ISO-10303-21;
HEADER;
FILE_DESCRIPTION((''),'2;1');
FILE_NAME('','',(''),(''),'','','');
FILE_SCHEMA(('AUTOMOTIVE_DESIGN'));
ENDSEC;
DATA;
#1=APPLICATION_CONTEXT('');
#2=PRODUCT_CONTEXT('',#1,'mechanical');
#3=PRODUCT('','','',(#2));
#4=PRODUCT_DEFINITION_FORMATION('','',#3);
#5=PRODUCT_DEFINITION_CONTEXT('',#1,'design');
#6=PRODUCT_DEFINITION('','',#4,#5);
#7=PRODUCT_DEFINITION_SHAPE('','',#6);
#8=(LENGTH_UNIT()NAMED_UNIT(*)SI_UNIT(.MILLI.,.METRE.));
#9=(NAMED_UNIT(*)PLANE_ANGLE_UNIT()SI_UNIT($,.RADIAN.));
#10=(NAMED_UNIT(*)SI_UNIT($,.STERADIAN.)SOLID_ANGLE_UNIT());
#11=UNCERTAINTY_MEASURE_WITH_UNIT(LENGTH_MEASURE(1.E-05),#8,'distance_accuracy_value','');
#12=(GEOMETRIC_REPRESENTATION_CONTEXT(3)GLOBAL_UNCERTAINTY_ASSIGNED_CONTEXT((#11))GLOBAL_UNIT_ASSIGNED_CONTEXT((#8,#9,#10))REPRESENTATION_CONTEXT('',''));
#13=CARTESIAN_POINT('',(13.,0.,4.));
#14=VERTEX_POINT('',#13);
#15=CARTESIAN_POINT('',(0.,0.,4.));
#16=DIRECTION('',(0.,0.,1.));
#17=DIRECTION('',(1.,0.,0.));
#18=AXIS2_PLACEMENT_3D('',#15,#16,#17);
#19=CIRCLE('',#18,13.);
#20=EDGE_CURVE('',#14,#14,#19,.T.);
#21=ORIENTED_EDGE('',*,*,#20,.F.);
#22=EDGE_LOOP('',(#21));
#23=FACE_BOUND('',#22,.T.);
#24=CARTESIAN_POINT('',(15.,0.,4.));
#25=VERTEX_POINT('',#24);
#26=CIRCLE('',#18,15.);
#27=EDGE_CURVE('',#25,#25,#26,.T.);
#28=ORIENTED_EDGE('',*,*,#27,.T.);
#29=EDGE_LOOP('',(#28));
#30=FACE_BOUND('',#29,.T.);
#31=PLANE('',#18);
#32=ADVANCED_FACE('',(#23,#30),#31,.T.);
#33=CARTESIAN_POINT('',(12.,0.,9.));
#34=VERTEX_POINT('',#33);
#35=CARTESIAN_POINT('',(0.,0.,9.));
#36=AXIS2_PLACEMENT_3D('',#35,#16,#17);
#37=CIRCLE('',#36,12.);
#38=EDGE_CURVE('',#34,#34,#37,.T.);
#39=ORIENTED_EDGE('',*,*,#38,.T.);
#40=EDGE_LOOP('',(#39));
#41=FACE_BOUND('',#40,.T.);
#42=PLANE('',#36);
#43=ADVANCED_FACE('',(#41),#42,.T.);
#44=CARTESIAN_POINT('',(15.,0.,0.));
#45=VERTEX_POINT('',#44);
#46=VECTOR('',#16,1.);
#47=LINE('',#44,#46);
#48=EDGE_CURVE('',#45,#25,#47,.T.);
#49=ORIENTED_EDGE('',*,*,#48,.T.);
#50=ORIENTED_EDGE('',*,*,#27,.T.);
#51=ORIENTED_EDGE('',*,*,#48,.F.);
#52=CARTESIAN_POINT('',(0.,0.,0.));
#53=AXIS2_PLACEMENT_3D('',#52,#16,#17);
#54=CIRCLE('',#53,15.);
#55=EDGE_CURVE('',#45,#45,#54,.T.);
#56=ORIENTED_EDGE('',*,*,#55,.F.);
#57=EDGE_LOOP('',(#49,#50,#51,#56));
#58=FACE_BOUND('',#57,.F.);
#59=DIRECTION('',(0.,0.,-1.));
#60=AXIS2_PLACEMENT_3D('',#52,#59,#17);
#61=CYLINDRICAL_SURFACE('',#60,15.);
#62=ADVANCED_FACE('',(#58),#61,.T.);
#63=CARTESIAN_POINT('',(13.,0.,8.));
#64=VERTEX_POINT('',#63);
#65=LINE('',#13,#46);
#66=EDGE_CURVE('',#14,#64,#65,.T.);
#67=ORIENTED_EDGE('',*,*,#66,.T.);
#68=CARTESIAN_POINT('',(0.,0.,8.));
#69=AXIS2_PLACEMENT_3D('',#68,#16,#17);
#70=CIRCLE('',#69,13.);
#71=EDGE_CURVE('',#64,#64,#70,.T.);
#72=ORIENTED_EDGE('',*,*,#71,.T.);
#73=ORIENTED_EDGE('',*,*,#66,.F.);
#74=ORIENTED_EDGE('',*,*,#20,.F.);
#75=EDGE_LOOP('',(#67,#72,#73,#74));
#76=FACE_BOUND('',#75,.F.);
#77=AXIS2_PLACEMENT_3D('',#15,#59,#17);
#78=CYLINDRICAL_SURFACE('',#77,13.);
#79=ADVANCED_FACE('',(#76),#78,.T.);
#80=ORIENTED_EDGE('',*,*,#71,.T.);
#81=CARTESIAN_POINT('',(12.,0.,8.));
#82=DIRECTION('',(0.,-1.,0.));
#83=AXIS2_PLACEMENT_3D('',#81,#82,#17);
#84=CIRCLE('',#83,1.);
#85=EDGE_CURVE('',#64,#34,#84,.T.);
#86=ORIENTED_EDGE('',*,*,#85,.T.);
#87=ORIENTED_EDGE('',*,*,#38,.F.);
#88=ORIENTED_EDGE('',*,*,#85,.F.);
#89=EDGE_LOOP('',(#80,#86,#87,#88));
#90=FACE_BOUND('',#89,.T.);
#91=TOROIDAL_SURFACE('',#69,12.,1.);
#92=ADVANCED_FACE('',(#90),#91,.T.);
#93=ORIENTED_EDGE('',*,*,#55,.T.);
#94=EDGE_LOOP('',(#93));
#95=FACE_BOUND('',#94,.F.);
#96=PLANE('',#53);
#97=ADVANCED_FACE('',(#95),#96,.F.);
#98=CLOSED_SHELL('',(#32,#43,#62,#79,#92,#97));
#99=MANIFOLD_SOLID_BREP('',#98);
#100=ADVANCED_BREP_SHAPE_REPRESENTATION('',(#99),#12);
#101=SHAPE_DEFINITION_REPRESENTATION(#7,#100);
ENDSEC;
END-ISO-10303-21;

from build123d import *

# Parameters (mm, degrees)
SKETCH_R     = 15
PAD_DEPTH    = 4
SKETCH001_R  = 13
PAD001_DEPTH = 5
FILLET_R     = 1


with BuildPart() as part:
    # Sketch → Pad (new body)
    with BuildSketch(Plane.XY):
        Circle(SKETCH_R)
    extrude(amount=PAD_DEPTH)

    # Sketch001 (on Face3 of Pad) → Pad001 (join)
    with BuildSketch(Plane.XY.offset(4)):
        Circle(SKETCH001_R)
    extrude(amount=PAD001_DEPTH)

    # Fillet
    fillet_edges = [part.edges().sort_by_distance(p)[0] for p in [
        (-13, 0, 9),
    ]]
    fillet(fillet_edges, radius=FILLET_R)


solid = part.part
